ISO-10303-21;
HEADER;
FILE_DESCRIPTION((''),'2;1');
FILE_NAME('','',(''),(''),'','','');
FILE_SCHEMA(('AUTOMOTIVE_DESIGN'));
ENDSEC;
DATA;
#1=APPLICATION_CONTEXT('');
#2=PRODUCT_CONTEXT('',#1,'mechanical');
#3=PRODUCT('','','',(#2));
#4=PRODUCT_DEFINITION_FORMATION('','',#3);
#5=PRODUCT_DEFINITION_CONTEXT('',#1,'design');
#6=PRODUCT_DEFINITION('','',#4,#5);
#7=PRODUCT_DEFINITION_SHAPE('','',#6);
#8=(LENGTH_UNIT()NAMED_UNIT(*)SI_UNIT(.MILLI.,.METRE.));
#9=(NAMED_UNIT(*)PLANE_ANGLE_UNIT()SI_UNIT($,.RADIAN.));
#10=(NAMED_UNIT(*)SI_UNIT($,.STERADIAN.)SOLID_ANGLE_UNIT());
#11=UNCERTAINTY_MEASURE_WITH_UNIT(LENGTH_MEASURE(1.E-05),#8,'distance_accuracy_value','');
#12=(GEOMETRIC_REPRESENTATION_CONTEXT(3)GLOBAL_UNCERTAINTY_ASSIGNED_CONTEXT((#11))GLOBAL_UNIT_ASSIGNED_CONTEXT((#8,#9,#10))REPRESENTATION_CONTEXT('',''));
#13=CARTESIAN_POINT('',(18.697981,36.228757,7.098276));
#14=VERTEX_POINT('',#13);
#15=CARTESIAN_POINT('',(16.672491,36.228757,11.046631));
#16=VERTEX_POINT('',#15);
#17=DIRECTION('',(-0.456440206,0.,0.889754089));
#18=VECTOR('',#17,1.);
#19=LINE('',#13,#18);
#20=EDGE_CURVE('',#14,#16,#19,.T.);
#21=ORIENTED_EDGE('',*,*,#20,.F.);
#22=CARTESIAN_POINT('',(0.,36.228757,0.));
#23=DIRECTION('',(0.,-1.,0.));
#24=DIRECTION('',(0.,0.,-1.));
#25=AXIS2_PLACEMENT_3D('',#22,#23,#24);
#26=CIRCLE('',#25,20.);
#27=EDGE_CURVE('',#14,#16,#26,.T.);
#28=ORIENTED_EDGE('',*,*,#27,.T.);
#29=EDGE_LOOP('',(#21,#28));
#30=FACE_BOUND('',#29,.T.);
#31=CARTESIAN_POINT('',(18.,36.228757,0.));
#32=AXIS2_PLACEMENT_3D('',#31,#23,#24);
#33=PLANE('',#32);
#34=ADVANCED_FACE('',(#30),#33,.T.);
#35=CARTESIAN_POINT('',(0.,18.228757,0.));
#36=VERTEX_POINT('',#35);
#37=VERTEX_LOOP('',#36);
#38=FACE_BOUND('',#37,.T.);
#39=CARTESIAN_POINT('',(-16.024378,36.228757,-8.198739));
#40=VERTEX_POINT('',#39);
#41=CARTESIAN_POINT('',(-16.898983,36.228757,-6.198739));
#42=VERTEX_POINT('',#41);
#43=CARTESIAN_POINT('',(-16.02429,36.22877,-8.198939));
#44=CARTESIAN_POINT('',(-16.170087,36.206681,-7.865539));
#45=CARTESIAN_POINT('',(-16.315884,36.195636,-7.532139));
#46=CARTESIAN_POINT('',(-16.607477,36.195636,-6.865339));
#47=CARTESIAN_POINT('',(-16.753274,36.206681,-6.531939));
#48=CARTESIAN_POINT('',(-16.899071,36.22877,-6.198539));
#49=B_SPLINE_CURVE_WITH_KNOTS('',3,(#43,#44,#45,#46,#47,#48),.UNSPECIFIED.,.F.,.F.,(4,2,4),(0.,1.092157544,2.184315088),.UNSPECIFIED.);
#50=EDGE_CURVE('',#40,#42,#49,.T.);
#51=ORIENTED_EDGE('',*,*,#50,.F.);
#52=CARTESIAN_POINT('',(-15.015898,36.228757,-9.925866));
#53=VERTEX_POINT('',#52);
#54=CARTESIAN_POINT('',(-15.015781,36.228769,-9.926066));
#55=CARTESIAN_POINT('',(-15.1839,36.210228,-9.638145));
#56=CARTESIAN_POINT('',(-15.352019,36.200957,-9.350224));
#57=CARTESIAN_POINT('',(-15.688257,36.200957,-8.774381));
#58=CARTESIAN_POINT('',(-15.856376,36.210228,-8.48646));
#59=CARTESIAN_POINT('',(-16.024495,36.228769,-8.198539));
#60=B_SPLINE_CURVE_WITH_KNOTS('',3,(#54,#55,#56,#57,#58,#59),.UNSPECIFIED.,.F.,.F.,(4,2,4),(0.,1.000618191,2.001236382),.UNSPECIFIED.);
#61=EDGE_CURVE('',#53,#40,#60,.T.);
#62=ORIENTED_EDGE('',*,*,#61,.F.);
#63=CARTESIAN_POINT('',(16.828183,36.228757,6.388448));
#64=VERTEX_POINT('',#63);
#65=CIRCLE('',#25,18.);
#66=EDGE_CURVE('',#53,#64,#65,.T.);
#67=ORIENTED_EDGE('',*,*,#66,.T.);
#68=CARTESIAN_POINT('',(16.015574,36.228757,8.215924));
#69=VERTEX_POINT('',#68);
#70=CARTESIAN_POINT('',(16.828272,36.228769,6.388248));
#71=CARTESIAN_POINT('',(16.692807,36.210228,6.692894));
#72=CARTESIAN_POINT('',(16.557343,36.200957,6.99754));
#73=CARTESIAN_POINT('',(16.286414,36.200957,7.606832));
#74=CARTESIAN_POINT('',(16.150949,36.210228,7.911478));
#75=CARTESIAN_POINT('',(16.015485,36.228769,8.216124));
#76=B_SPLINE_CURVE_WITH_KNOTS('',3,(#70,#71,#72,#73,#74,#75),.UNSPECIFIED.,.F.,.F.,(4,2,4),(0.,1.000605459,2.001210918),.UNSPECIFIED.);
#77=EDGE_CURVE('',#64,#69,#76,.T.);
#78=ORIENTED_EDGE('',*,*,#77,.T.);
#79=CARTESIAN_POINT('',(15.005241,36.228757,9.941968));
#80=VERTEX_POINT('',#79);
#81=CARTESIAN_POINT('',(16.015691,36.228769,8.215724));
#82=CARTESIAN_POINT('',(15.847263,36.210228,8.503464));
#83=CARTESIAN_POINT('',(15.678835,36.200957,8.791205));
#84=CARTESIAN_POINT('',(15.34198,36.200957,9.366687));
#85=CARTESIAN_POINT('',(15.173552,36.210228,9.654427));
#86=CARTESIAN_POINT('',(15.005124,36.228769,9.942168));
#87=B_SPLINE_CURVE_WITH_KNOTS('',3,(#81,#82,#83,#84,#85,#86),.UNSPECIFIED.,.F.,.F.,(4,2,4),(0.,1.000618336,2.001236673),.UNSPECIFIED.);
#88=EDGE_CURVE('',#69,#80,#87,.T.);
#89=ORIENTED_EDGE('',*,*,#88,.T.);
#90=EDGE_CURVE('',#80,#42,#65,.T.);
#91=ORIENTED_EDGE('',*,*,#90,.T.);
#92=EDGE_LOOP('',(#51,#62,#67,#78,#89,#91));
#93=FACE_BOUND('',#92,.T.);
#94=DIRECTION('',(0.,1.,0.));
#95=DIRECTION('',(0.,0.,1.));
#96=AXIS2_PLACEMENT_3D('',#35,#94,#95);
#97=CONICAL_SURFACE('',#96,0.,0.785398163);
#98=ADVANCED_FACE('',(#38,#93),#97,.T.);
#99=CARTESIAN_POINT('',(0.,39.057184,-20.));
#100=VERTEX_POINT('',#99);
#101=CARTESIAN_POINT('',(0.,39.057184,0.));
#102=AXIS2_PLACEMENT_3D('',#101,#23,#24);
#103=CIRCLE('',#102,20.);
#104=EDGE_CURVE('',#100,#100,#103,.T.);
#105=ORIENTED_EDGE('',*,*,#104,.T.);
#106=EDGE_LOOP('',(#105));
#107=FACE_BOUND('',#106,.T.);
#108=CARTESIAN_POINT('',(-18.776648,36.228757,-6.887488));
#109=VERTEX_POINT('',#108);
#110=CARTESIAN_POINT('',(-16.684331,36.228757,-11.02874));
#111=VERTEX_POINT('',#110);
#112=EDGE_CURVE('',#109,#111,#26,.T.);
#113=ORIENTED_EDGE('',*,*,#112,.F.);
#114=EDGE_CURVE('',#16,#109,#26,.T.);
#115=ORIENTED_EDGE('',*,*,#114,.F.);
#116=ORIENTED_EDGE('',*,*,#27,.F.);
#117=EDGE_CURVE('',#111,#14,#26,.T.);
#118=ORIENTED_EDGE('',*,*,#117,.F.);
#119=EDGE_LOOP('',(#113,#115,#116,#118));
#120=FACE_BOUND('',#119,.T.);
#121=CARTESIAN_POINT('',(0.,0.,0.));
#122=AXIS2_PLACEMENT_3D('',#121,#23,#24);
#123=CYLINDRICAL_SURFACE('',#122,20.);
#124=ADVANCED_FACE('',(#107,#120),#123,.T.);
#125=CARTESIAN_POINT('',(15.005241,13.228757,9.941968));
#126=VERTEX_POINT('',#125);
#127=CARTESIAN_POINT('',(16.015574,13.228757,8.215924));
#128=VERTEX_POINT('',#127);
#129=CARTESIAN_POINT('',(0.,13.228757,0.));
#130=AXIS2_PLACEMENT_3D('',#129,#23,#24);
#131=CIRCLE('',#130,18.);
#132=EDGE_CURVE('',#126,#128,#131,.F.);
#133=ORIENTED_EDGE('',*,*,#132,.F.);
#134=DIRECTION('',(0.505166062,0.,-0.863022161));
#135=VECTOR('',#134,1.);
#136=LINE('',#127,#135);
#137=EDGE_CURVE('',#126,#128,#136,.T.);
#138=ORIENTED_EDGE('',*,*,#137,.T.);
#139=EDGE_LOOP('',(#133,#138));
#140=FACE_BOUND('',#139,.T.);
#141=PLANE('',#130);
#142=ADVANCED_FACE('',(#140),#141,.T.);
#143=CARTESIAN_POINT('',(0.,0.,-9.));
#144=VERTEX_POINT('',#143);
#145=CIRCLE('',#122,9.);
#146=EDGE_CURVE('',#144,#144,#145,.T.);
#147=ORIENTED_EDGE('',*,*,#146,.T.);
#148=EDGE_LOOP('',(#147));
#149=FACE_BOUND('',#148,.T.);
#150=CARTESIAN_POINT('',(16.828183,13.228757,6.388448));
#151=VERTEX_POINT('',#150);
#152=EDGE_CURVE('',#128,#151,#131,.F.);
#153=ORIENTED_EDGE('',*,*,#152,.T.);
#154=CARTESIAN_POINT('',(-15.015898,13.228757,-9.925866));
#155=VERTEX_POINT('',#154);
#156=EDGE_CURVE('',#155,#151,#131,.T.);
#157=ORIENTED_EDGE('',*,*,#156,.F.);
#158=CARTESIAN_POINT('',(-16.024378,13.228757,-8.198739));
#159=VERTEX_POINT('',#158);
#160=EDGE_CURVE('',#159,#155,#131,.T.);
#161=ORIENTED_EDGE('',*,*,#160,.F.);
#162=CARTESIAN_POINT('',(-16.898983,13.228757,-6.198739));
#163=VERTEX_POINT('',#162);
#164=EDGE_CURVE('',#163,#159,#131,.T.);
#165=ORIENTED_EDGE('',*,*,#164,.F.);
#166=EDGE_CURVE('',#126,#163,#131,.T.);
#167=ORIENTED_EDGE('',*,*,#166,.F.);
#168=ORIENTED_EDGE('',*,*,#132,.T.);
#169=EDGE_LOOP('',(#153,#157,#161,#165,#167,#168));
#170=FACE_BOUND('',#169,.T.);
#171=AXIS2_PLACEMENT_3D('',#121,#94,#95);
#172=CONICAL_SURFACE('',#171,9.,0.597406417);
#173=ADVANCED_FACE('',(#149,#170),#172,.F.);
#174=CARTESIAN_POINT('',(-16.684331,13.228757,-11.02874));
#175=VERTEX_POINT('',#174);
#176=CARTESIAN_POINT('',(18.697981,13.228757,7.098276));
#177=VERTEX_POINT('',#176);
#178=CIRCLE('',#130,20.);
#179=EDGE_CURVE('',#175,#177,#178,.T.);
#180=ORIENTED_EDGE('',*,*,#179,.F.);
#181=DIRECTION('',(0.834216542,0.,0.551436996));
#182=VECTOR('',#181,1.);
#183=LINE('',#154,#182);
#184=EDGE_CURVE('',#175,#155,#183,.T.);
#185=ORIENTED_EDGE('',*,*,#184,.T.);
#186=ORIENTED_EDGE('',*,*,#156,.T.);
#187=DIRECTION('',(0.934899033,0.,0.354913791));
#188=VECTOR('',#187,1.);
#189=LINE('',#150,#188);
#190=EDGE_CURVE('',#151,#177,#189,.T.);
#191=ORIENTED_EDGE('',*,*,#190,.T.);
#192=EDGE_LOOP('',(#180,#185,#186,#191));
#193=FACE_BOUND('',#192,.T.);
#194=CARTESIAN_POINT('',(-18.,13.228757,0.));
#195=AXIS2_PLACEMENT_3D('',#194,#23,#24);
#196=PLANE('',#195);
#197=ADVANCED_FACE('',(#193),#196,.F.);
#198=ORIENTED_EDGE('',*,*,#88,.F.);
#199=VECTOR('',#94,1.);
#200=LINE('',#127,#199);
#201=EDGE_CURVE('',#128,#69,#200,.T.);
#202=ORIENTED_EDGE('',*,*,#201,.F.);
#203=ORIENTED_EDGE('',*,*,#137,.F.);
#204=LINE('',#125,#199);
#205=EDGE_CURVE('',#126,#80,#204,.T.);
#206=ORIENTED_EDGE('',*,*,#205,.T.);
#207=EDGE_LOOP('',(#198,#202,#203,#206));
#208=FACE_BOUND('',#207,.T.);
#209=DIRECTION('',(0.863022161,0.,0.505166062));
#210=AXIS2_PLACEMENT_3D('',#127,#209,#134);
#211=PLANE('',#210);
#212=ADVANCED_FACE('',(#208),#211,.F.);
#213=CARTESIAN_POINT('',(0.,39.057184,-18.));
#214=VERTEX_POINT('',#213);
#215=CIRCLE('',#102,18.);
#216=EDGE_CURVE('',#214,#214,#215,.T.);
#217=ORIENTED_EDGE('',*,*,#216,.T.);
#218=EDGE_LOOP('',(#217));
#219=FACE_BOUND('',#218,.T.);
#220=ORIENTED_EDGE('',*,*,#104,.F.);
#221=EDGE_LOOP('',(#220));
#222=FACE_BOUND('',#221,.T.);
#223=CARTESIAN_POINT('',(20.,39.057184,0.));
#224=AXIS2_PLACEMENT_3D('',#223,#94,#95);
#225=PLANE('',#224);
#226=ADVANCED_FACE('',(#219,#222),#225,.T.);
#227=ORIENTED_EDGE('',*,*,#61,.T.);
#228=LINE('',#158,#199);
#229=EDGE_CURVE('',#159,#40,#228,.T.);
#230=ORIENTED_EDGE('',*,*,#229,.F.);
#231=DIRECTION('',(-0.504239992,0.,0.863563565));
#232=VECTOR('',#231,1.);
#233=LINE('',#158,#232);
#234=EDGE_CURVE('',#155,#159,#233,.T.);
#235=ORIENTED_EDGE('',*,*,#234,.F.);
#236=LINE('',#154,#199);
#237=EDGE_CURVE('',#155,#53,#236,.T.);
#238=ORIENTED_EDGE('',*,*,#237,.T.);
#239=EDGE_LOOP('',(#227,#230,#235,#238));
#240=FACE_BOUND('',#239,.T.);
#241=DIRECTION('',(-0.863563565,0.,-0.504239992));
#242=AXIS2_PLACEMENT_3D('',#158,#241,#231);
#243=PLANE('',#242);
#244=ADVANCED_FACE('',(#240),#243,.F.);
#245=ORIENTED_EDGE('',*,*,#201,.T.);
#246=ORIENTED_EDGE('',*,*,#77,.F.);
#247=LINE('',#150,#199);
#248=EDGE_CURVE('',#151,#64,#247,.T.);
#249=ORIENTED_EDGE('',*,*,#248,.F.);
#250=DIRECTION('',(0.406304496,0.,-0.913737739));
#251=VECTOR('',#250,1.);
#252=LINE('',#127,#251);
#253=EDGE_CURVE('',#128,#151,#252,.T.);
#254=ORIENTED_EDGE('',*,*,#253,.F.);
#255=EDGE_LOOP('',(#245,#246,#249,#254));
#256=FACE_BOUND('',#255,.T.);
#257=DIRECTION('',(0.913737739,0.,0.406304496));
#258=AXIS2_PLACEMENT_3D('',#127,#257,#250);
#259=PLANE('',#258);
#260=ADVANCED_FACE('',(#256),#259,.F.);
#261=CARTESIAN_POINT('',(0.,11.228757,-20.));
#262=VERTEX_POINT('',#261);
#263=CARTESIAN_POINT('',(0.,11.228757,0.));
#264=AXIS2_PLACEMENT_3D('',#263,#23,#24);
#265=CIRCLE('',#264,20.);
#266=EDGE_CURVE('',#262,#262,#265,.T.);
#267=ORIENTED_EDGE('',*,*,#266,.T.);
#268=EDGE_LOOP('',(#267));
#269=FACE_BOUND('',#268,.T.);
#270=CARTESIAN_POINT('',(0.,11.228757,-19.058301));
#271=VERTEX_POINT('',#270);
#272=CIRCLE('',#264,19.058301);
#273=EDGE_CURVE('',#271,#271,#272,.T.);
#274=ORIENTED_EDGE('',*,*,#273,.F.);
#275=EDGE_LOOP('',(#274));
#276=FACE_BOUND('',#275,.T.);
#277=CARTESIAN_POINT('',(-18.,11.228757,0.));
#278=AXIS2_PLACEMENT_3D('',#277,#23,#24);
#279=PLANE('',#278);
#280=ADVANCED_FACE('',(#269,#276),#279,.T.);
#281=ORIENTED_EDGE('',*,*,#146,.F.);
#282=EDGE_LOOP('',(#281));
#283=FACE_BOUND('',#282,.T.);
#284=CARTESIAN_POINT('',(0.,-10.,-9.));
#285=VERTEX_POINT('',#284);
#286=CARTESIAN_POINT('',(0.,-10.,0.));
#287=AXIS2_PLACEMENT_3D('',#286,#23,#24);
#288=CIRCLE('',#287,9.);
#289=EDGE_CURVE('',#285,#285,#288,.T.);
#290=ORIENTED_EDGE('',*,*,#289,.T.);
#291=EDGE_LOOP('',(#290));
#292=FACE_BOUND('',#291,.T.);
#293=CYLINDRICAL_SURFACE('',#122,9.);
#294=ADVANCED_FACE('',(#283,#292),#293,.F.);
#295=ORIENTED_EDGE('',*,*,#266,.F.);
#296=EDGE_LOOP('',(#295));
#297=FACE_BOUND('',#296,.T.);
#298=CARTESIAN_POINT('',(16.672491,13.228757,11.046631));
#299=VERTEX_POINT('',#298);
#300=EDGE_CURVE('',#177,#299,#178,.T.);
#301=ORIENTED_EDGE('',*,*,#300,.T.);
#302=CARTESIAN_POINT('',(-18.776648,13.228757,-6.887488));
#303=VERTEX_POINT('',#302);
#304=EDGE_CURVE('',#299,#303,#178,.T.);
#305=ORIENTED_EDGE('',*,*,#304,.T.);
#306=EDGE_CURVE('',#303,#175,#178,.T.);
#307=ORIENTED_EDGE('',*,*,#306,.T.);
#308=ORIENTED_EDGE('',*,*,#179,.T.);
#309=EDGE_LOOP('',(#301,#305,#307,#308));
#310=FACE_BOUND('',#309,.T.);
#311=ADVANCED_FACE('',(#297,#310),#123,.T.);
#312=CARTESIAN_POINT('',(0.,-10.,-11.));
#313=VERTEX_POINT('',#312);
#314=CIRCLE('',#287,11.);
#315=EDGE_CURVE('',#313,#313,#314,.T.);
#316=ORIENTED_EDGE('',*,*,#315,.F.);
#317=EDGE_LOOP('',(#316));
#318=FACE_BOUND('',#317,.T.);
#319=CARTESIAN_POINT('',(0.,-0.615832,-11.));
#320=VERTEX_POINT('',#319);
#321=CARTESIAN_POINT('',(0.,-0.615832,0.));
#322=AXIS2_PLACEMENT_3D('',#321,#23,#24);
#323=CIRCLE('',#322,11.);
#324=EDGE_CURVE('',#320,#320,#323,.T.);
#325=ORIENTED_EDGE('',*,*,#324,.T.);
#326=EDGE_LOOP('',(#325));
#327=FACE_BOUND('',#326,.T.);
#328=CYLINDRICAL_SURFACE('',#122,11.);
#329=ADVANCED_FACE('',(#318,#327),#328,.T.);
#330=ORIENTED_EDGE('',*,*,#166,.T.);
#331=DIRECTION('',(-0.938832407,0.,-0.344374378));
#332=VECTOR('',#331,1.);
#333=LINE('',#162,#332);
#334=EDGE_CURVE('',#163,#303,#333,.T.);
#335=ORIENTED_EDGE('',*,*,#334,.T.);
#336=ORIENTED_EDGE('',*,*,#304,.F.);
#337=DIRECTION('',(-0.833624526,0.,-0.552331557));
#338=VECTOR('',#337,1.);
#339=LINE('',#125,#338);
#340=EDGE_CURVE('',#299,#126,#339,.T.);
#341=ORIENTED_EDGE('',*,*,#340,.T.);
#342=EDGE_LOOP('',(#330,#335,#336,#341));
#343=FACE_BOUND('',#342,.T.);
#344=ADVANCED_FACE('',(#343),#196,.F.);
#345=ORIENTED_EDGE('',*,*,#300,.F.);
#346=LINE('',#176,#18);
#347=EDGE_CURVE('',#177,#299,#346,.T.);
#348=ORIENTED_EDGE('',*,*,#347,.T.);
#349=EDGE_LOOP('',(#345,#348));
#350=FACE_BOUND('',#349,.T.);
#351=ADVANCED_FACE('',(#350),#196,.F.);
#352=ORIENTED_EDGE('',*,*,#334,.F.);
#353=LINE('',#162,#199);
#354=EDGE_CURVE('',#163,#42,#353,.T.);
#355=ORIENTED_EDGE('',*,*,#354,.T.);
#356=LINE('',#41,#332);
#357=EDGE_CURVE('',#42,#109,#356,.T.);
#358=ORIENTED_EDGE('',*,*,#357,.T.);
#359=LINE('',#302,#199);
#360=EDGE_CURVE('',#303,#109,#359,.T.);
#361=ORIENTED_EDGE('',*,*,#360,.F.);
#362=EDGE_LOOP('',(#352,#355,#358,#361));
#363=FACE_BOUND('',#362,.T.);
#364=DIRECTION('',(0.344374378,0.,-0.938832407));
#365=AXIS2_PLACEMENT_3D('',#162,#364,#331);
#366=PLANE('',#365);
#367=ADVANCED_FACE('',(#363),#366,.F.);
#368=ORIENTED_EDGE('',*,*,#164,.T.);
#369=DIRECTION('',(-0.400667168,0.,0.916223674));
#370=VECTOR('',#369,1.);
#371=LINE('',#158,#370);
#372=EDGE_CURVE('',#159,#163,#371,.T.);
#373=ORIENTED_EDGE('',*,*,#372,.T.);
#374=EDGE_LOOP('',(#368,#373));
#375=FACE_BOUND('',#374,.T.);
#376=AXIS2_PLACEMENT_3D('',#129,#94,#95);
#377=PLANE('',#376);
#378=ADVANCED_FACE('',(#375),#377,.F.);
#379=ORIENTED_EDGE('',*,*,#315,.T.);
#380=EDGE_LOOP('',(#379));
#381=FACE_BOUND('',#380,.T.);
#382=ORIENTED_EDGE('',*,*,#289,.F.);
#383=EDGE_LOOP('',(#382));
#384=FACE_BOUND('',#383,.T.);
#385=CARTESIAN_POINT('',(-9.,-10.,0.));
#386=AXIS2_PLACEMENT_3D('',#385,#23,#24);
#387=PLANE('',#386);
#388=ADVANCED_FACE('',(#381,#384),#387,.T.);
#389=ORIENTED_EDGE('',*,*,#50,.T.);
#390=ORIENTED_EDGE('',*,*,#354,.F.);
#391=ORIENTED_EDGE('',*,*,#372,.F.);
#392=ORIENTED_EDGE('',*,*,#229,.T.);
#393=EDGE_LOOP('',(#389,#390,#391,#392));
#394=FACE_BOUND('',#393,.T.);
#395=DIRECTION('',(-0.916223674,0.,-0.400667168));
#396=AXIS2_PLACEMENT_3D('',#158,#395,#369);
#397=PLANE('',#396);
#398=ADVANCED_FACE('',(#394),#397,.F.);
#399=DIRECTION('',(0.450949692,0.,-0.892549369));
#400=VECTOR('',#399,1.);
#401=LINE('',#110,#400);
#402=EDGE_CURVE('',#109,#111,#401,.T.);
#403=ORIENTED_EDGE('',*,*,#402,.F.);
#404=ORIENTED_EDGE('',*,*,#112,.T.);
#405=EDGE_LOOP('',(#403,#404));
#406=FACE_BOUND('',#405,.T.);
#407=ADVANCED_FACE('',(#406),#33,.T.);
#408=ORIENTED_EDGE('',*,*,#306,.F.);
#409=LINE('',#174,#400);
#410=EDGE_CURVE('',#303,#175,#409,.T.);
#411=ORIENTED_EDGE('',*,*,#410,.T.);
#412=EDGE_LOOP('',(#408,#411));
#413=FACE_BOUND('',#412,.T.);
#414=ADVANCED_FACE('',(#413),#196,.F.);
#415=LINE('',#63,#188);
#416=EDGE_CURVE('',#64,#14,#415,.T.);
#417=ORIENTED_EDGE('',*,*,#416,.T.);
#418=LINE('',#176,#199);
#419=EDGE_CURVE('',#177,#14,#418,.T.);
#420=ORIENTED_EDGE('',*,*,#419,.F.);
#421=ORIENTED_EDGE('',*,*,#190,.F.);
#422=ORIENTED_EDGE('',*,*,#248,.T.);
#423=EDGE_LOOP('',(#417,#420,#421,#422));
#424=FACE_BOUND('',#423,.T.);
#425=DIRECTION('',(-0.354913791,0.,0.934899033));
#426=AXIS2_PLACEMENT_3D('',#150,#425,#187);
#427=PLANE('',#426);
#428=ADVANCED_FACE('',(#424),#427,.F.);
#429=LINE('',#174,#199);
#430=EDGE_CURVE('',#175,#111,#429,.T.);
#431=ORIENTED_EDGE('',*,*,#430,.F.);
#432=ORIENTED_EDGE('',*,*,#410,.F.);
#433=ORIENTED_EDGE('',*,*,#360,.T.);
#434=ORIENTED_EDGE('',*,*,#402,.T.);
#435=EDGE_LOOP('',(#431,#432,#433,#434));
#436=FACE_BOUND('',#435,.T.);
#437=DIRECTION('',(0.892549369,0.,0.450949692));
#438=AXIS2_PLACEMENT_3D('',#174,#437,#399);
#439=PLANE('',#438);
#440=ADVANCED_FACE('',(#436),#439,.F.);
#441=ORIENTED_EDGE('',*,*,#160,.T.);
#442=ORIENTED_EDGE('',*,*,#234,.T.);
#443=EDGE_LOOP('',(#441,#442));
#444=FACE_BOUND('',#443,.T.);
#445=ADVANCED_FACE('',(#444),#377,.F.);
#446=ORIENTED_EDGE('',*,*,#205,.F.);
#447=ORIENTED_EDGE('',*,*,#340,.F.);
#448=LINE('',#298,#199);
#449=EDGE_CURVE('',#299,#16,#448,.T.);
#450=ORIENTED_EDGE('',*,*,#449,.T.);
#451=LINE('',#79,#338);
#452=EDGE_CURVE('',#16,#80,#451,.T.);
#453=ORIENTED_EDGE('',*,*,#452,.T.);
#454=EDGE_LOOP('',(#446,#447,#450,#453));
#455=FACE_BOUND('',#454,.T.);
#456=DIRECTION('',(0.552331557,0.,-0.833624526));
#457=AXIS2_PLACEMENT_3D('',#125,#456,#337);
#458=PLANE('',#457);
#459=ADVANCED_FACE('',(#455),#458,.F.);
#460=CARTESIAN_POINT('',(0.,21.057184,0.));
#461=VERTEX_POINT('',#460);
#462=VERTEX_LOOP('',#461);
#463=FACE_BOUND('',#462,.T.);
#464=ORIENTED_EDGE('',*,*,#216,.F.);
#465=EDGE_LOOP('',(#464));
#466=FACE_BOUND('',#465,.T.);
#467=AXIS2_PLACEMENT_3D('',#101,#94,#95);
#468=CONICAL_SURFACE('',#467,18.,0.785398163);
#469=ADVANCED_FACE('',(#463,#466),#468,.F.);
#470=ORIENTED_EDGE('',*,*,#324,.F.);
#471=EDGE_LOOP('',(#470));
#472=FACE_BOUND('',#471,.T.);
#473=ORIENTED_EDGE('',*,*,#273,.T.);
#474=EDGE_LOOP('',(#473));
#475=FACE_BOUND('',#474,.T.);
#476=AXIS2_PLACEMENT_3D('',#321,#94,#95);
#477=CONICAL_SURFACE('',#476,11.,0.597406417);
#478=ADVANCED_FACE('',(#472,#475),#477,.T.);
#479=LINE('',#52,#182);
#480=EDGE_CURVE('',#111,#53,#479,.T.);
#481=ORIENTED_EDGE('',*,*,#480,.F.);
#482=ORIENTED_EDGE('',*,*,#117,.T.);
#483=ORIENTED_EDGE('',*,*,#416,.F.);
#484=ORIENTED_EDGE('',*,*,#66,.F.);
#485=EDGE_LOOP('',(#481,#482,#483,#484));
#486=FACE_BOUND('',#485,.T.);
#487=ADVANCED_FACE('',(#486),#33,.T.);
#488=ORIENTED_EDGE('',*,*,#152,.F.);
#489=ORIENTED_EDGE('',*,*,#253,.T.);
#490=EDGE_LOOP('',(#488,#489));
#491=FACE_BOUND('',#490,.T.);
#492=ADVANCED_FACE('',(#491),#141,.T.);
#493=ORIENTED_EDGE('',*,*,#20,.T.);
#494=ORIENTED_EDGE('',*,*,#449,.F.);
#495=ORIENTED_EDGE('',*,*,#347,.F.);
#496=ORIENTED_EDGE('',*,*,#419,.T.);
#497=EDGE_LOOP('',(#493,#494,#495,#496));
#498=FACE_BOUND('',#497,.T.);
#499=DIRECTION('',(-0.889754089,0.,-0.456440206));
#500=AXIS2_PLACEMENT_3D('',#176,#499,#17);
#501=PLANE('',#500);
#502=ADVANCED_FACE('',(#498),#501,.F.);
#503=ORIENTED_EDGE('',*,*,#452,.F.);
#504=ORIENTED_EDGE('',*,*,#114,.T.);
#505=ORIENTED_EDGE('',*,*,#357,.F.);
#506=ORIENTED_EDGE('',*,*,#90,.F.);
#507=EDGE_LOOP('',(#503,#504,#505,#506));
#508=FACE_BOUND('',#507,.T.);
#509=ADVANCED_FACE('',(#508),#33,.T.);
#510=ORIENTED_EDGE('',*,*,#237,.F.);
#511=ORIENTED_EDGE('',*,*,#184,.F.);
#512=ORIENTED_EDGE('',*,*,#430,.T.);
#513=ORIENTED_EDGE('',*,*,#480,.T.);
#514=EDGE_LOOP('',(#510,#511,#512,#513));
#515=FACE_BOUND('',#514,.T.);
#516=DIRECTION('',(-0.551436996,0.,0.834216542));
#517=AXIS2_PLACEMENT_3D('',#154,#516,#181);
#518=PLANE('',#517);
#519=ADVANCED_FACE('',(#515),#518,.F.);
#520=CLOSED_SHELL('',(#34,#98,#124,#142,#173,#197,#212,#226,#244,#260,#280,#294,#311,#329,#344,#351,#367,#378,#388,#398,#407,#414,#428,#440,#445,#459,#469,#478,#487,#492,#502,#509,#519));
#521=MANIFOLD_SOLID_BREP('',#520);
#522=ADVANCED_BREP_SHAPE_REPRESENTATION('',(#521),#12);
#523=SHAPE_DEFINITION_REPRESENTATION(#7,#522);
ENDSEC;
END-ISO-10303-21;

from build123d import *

# Parameters (mm, degrees)
BOSS_EXTRUDE2_DEPTH = 23


with BuildPart() as part:
    # Sketch1 → Revolve-Thin3 (revolve)
    with BuildSketch(Plane.XY, mode=Mode.PRIVATE) as revolve_thin3_sk:
        Polygon((-20, 13.228756555), (-18, 13.228756555), (-9, 0), (-9, -10), (-11, -10), (-11, -0.615831877), (-19.058300524, 11.228756555), (-20, 11.228756555), align=None)
    revolve(revolve_thin3_sk.sketch.rotate(Axis((0, 0, 0), (0, 1, 0)), 270), axis=Axis((0, 0, 0), (0, 1, 0)))



with BuildPart() as body_2:
    # Sketch7 → Revolve2 (revolve)
    with BuildSketch(Plane.XY, mode=Mode.PRIVATE) as revolve2_sk:
        Polygon((0, 18.228756555), (18, 36.228756555), (20, 36.228756555), (20, 39.05718368), (18, 39.05718368), (0, 21.05718368), align=None)
    revolve(revolve2_sk.sketch.rotate(Axis((0, 0, 0), (0, 1, 0)), 270), axis=Axis((0, 0, 0), (0, 1, 0)))


with BuildPart() as part_1:
    add(part.part)

    add(body_2.part)  # Boss-Extrude2 merges body 2
    # Sketch8 → Boss-Extrude2 (add)
    with BuildSketch(Plane.XZ.offset(-36.228756555)):
        Polygon((-16.024377741, -8.198738805), (-16.898983319, -6.198738805), (-18.776648132, -6.887487561), (-16.684330841, -11.028739927), (-15.015897757, -9.925865935), align=None)
        Polygon((16.015573595, 8.215923712), (15.005241471, 9.941968034), (16.672490524, 11.046631149), (18.697980652, 7.098275814), (16.828182587, 6.388448233), align=None)
    extrude(amount=BOSS_EXTRUDE2_DEPTH)


solid = part_1.part
